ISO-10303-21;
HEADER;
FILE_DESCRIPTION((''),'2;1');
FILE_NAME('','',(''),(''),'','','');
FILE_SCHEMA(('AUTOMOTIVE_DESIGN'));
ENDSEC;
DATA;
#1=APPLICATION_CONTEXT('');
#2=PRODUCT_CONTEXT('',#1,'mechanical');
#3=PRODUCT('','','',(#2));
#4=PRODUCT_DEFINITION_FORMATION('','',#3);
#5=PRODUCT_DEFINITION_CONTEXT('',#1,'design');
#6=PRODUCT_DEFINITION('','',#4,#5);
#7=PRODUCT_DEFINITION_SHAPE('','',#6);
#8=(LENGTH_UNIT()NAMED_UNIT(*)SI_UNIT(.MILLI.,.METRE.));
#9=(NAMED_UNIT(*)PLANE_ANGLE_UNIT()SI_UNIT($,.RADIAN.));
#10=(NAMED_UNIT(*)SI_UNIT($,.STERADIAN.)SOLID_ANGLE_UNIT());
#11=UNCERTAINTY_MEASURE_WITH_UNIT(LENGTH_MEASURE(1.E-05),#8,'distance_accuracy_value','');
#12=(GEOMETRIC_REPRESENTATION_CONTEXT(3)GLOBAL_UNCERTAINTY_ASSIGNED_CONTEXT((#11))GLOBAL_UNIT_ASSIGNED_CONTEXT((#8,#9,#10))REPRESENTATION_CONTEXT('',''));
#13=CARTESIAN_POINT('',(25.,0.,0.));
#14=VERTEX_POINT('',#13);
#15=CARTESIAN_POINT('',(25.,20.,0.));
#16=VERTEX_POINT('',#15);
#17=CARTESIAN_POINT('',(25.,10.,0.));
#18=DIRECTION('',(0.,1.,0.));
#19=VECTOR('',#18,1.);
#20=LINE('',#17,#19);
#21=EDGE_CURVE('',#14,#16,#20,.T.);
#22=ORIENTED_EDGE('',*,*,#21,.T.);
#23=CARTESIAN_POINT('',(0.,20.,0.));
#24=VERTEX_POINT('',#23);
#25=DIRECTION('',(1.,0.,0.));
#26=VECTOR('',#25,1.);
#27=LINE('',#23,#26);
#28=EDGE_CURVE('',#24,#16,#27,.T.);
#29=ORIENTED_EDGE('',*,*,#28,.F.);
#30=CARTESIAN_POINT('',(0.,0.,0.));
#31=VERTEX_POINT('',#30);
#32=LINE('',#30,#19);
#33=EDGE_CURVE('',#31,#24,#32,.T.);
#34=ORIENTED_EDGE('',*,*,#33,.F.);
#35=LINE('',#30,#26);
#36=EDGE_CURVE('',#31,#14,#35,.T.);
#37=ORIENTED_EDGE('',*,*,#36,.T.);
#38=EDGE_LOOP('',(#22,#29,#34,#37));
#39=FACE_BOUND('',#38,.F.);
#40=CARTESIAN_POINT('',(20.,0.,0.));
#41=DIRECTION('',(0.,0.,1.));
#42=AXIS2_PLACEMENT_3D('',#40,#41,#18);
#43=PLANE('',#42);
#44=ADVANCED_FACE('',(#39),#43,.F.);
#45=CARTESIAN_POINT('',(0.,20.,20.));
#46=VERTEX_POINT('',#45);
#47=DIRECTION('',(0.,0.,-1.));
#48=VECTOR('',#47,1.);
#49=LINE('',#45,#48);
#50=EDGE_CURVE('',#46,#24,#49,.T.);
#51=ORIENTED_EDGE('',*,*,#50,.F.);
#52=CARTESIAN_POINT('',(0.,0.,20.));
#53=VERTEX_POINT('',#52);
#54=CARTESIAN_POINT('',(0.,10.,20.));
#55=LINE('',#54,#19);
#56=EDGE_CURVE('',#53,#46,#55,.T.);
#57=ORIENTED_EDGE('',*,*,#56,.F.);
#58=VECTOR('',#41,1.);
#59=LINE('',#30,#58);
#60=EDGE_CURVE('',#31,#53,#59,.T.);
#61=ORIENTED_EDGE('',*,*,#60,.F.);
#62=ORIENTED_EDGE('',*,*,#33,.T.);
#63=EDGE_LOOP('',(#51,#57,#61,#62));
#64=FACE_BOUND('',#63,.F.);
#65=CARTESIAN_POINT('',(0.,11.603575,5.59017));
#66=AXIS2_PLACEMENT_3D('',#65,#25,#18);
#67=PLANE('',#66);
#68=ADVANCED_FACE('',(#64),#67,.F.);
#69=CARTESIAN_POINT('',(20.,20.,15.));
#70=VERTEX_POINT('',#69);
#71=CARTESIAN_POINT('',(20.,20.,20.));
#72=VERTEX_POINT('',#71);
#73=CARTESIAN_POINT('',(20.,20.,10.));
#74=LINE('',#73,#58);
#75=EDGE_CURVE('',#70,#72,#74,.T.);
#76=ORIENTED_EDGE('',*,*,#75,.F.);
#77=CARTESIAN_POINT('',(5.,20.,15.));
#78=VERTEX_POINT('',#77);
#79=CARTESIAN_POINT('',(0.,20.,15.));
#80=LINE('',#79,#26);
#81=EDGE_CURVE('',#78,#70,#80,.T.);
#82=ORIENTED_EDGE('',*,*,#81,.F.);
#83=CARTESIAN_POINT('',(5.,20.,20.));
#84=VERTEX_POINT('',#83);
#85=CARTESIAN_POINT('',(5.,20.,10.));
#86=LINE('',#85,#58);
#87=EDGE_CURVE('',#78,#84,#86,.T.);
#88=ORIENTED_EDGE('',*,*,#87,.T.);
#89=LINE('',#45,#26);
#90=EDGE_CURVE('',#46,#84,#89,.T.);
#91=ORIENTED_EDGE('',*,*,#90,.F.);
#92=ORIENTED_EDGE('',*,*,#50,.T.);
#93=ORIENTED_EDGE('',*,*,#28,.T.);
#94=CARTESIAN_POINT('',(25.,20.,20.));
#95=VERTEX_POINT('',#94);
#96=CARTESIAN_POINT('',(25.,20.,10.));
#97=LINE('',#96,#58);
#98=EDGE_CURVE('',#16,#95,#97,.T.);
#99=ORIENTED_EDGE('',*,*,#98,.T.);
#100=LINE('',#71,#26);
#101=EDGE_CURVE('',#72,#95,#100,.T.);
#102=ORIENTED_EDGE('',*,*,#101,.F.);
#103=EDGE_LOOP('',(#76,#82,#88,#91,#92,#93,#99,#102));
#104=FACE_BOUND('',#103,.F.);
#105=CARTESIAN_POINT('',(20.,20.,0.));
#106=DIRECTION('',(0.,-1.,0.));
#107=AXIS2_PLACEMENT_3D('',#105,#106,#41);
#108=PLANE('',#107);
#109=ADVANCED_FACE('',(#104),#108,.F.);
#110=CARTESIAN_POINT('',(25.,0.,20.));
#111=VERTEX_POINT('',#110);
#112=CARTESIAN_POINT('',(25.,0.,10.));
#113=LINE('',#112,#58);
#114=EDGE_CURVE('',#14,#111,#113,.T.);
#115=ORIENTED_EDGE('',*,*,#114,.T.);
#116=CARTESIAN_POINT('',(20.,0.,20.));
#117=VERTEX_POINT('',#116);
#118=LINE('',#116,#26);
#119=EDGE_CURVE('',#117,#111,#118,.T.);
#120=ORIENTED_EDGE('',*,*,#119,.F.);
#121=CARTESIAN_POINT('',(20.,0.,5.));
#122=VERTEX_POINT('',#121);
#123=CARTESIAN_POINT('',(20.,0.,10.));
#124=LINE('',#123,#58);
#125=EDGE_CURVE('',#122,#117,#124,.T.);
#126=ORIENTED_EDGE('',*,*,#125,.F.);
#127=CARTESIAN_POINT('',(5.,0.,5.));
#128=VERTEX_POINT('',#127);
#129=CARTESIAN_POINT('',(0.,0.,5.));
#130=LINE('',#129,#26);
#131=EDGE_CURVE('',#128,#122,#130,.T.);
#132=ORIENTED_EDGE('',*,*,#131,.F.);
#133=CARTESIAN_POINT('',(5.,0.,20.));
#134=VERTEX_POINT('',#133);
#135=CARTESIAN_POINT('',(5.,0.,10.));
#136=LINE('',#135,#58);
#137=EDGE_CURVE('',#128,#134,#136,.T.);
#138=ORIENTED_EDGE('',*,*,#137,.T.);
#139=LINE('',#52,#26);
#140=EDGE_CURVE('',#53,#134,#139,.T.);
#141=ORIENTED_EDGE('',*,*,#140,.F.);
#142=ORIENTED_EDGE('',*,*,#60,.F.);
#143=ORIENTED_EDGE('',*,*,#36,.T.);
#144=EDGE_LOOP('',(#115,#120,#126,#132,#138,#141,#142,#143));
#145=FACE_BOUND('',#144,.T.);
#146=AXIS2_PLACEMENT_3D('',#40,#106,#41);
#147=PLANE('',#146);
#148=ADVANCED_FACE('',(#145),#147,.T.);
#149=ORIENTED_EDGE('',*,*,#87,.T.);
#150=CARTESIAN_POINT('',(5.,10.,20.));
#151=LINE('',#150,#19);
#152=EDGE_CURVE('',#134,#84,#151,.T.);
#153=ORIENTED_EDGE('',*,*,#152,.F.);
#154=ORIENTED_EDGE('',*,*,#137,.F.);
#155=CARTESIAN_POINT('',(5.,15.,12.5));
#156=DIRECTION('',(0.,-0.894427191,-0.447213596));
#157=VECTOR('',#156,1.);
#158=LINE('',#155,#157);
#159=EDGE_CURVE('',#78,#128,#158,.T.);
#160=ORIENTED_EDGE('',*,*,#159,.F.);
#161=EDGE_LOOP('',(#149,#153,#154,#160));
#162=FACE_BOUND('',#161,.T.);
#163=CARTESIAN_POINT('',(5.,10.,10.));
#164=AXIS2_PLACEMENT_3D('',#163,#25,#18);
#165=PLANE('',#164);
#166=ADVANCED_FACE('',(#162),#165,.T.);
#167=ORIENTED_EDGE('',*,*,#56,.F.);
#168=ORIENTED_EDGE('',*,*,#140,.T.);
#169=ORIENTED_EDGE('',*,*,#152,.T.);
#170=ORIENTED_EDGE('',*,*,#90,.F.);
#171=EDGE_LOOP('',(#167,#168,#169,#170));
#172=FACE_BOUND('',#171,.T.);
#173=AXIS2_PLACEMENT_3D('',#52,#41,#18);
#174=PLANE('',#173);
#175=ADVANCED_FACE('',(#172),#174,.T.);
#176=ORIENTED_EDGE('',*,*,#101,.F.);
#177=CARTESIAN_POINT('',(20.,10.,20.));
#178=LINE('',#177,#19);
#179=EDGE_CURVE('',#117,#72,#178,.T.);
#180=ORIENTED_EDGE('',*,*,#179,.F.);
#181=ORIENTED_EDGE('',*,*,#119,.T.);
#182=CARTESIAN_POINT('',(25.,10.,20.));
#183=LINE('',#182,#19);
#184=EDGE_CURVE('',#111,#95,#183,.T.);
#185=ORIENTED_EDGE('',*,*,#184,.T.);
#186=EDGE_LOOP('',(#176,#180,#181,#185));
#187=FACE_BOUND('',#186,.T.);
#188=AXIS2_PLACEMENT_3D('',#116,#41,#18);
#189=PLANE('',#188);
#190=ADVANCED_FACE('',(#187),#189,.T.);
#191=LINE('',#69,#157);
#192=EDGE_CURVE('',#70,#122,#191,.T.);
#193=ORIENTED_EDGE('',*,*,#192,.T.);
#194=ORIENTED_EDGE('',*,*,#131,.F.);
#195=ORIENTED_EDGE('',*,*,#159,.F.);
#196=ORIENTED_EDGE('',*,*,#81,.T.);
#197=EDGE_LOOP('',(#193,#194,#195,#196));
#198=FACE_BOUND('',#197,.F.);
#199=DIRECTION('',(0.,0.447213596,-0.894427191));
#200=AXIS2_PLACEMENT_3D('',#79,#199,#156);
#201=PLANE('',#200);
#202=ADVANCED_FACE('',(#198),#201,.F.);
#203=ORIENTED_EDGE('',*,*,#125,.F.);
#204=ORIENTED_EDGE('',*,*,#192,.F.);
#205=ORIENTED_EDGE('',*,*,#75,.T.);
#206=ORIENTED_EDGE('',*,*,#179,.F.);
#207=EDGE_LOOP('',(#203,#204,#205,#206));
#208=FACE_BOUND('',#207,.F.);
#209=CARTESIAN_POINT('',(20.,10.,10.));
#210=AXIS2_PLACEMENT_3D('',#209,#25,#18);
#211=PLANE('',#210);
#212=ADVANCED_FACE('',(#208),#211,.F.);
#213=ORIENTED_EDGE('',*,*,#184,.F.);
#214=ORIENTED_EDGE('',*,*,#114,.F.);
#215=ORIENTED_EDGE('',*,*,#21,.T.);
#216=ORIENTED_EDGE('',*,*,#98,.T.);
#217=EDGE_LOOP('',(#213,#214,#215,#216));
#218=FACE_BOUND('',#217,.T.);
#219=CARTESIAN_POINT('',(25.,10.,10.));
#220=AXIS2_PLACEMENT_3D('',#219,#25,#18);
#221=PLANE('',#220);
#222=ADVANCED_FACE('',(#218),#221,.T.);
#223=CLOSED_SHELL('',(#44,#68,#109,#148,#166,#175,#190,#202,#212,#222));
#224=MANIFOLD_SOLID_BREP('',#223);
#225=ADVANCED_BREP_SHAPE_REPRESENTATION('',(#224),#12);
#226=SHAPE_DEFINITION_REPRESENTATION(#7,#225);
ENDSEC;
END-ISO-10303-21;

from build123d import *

# Parameters (mm, degrees)
F1_DEPTH = 20
F2_W     = 20
F2_H     = 20
F3_DEPTH = 5
F4_W     = 20
F4_H     = 20
F5_DEPTH = 5


with BuildPart() as f1:
    # F0 (on Right) → F1 (new body)
    with BuildSketch(Plane.YZ):
        Polygon((20, 15), (0, 5), (0, 0), (20, 0), align=None)
    extrude(amount=F1_DEPTH)

    # F2 (on Right) → F3 (join)
    with BuildSketch(Plane.YZ):
        with Locations((10, 10)):
            Rectangle(F2_W, F2_H)
    extrude(amount=F3_DEPTH)

    # F4 (on face) → F5 (join)
    with BuildSketch(Plane.YZ.offset(20)):
        with Locations((10, 10)):
            Rectangle(F4_W, F4_H)
    extrude(amount=F5_DEPTH)


solid = f1.part
